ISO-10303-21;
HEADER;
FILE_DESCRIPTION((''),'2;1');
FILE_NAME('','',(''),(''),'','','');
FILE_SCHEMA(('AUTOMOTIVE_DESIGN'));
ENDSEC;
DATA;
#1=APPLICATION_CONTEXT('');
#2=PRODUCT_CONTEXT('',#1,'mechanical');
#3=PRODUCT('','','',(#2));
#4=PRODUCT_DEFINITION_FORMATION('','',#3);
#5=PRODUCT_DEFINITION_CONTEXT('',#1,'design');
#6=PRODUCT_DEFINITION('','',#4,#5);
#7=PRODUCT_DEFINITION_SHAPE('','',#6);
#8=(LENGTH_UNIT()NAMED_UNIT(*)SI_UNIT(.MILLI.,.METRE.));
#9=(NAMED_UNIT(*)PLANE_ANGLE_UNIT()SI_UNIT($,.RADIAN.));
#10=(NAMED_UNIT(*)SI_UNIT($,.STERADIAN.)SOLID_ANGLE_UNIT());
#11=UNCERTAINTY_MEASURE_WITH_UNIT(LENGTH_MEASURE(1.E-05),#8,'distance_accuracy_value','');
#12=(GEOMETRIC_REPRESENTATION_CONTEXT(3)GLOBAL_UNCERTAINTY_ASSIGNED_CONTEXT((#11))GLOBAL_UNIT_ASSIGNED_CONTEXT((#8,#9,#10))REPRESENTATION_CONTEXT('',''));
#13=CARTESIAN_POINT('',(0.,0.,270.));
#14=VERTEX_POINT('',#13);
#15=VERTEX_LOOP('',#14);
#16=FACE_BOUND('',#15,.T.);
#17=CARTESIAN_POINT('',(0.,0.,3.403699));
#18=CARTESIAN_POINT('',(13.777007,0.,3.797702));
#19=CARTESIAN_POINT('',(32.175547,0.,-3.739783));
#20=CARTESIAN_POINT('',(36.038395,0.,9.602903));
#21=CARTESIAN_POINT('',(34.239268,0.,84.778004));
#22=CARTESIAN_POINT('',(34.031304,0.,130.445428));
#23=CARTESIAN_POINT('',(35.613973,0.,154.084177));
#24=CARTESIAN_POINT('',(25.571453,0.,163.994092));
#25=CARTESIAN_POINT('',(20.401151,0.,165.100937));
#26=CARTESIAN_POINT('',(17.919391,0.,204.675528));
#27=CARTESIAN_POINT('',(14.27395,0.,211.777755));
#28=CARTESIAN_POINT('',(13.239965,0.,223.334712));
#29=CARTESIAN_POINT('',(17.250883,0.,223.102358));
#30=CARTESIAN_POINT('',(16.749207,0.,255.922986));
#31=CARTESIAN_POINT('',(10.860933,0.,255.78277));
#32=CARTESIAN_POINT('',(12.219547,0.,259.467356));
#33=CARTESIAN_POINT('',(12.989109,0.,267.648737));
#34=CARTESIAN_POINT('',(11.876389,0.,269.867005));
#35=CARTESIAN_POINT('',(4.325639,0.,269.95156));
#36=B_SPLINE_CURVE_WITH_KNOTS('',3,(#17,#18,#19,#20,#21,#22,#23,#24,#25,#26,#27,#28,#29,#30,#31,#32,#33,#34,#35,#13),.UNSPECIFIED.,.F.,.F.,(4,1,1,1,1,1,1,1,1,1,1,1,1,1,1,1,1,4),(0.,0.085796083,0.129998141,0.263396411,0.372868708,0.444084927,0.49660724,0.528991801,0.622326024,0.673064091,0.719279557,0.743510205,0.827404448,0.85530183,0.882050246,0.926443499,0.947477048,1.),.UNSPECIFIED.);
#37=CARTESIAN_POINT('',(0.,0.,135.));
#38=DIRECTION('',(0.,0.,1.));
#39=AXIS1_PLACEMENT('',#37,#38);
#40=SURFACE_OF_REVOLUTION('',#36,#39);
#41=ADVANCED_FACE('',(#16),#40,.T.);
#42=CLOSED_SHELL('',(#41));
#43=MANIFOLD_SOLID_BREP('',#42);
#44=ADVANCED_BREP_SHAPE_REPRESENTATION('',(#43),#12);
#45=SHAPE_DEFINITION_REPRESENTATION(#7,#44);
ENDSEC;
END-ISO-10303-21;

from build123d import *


with BuildPart() as f1:
    # F0 (on Front) → F1 (revolve)
    with BuildSketch(Plane.XZ):
        with BuildLine():
            Line((0, 270), (0, 3.4036987927))
            add(Edge.make_bspline(
                [(0, 3.4036987927), (13.7770066972, 3.7977018315), (32.1755470211, -3.7397831544), (36.0383948909, 9.6029032783), (34.2392678474, 84.7780040205), (34.0313044395, 130.4454283115), (35.6139728062, 154.0841772382), (25.5714525979, 163.9940922307), (20.4011512761, 165.1009369143), (17.9193910078, 204.6755278949), (14.2739504796, 211.7777551362), (13.2399648598, 223.334712438), (17.250882973, 223.1023580325), (16.7492070205, 255.9229858974), (10.8609328877, 255.7827700262), (12.2195465824, 259.4673564626), (12.9891094659, 267.6487366324), (11.8763893791, 269.8670045251), (4.32563902, 269.9515600243), (0, 270)],
                knots=[0, 0, 0, 0, 0.0857960835, 0.1299981412, 0.2633964109, 0.3728687081, 0.4440849269, 0.4966072398, 0.5289918014, 0.6223260239, 0.6730640907, 0.7192795573, 0.7435102054, 0.8274044481, 0.85530183, 0.8820502462, 0.9264434991, 0.9474770478, 1, 1, 1, 1], degree=3))
        make_face()
    revolve(axis=Axis((0, 0, 135), (0, 0, 1)))


solid = f1.part
